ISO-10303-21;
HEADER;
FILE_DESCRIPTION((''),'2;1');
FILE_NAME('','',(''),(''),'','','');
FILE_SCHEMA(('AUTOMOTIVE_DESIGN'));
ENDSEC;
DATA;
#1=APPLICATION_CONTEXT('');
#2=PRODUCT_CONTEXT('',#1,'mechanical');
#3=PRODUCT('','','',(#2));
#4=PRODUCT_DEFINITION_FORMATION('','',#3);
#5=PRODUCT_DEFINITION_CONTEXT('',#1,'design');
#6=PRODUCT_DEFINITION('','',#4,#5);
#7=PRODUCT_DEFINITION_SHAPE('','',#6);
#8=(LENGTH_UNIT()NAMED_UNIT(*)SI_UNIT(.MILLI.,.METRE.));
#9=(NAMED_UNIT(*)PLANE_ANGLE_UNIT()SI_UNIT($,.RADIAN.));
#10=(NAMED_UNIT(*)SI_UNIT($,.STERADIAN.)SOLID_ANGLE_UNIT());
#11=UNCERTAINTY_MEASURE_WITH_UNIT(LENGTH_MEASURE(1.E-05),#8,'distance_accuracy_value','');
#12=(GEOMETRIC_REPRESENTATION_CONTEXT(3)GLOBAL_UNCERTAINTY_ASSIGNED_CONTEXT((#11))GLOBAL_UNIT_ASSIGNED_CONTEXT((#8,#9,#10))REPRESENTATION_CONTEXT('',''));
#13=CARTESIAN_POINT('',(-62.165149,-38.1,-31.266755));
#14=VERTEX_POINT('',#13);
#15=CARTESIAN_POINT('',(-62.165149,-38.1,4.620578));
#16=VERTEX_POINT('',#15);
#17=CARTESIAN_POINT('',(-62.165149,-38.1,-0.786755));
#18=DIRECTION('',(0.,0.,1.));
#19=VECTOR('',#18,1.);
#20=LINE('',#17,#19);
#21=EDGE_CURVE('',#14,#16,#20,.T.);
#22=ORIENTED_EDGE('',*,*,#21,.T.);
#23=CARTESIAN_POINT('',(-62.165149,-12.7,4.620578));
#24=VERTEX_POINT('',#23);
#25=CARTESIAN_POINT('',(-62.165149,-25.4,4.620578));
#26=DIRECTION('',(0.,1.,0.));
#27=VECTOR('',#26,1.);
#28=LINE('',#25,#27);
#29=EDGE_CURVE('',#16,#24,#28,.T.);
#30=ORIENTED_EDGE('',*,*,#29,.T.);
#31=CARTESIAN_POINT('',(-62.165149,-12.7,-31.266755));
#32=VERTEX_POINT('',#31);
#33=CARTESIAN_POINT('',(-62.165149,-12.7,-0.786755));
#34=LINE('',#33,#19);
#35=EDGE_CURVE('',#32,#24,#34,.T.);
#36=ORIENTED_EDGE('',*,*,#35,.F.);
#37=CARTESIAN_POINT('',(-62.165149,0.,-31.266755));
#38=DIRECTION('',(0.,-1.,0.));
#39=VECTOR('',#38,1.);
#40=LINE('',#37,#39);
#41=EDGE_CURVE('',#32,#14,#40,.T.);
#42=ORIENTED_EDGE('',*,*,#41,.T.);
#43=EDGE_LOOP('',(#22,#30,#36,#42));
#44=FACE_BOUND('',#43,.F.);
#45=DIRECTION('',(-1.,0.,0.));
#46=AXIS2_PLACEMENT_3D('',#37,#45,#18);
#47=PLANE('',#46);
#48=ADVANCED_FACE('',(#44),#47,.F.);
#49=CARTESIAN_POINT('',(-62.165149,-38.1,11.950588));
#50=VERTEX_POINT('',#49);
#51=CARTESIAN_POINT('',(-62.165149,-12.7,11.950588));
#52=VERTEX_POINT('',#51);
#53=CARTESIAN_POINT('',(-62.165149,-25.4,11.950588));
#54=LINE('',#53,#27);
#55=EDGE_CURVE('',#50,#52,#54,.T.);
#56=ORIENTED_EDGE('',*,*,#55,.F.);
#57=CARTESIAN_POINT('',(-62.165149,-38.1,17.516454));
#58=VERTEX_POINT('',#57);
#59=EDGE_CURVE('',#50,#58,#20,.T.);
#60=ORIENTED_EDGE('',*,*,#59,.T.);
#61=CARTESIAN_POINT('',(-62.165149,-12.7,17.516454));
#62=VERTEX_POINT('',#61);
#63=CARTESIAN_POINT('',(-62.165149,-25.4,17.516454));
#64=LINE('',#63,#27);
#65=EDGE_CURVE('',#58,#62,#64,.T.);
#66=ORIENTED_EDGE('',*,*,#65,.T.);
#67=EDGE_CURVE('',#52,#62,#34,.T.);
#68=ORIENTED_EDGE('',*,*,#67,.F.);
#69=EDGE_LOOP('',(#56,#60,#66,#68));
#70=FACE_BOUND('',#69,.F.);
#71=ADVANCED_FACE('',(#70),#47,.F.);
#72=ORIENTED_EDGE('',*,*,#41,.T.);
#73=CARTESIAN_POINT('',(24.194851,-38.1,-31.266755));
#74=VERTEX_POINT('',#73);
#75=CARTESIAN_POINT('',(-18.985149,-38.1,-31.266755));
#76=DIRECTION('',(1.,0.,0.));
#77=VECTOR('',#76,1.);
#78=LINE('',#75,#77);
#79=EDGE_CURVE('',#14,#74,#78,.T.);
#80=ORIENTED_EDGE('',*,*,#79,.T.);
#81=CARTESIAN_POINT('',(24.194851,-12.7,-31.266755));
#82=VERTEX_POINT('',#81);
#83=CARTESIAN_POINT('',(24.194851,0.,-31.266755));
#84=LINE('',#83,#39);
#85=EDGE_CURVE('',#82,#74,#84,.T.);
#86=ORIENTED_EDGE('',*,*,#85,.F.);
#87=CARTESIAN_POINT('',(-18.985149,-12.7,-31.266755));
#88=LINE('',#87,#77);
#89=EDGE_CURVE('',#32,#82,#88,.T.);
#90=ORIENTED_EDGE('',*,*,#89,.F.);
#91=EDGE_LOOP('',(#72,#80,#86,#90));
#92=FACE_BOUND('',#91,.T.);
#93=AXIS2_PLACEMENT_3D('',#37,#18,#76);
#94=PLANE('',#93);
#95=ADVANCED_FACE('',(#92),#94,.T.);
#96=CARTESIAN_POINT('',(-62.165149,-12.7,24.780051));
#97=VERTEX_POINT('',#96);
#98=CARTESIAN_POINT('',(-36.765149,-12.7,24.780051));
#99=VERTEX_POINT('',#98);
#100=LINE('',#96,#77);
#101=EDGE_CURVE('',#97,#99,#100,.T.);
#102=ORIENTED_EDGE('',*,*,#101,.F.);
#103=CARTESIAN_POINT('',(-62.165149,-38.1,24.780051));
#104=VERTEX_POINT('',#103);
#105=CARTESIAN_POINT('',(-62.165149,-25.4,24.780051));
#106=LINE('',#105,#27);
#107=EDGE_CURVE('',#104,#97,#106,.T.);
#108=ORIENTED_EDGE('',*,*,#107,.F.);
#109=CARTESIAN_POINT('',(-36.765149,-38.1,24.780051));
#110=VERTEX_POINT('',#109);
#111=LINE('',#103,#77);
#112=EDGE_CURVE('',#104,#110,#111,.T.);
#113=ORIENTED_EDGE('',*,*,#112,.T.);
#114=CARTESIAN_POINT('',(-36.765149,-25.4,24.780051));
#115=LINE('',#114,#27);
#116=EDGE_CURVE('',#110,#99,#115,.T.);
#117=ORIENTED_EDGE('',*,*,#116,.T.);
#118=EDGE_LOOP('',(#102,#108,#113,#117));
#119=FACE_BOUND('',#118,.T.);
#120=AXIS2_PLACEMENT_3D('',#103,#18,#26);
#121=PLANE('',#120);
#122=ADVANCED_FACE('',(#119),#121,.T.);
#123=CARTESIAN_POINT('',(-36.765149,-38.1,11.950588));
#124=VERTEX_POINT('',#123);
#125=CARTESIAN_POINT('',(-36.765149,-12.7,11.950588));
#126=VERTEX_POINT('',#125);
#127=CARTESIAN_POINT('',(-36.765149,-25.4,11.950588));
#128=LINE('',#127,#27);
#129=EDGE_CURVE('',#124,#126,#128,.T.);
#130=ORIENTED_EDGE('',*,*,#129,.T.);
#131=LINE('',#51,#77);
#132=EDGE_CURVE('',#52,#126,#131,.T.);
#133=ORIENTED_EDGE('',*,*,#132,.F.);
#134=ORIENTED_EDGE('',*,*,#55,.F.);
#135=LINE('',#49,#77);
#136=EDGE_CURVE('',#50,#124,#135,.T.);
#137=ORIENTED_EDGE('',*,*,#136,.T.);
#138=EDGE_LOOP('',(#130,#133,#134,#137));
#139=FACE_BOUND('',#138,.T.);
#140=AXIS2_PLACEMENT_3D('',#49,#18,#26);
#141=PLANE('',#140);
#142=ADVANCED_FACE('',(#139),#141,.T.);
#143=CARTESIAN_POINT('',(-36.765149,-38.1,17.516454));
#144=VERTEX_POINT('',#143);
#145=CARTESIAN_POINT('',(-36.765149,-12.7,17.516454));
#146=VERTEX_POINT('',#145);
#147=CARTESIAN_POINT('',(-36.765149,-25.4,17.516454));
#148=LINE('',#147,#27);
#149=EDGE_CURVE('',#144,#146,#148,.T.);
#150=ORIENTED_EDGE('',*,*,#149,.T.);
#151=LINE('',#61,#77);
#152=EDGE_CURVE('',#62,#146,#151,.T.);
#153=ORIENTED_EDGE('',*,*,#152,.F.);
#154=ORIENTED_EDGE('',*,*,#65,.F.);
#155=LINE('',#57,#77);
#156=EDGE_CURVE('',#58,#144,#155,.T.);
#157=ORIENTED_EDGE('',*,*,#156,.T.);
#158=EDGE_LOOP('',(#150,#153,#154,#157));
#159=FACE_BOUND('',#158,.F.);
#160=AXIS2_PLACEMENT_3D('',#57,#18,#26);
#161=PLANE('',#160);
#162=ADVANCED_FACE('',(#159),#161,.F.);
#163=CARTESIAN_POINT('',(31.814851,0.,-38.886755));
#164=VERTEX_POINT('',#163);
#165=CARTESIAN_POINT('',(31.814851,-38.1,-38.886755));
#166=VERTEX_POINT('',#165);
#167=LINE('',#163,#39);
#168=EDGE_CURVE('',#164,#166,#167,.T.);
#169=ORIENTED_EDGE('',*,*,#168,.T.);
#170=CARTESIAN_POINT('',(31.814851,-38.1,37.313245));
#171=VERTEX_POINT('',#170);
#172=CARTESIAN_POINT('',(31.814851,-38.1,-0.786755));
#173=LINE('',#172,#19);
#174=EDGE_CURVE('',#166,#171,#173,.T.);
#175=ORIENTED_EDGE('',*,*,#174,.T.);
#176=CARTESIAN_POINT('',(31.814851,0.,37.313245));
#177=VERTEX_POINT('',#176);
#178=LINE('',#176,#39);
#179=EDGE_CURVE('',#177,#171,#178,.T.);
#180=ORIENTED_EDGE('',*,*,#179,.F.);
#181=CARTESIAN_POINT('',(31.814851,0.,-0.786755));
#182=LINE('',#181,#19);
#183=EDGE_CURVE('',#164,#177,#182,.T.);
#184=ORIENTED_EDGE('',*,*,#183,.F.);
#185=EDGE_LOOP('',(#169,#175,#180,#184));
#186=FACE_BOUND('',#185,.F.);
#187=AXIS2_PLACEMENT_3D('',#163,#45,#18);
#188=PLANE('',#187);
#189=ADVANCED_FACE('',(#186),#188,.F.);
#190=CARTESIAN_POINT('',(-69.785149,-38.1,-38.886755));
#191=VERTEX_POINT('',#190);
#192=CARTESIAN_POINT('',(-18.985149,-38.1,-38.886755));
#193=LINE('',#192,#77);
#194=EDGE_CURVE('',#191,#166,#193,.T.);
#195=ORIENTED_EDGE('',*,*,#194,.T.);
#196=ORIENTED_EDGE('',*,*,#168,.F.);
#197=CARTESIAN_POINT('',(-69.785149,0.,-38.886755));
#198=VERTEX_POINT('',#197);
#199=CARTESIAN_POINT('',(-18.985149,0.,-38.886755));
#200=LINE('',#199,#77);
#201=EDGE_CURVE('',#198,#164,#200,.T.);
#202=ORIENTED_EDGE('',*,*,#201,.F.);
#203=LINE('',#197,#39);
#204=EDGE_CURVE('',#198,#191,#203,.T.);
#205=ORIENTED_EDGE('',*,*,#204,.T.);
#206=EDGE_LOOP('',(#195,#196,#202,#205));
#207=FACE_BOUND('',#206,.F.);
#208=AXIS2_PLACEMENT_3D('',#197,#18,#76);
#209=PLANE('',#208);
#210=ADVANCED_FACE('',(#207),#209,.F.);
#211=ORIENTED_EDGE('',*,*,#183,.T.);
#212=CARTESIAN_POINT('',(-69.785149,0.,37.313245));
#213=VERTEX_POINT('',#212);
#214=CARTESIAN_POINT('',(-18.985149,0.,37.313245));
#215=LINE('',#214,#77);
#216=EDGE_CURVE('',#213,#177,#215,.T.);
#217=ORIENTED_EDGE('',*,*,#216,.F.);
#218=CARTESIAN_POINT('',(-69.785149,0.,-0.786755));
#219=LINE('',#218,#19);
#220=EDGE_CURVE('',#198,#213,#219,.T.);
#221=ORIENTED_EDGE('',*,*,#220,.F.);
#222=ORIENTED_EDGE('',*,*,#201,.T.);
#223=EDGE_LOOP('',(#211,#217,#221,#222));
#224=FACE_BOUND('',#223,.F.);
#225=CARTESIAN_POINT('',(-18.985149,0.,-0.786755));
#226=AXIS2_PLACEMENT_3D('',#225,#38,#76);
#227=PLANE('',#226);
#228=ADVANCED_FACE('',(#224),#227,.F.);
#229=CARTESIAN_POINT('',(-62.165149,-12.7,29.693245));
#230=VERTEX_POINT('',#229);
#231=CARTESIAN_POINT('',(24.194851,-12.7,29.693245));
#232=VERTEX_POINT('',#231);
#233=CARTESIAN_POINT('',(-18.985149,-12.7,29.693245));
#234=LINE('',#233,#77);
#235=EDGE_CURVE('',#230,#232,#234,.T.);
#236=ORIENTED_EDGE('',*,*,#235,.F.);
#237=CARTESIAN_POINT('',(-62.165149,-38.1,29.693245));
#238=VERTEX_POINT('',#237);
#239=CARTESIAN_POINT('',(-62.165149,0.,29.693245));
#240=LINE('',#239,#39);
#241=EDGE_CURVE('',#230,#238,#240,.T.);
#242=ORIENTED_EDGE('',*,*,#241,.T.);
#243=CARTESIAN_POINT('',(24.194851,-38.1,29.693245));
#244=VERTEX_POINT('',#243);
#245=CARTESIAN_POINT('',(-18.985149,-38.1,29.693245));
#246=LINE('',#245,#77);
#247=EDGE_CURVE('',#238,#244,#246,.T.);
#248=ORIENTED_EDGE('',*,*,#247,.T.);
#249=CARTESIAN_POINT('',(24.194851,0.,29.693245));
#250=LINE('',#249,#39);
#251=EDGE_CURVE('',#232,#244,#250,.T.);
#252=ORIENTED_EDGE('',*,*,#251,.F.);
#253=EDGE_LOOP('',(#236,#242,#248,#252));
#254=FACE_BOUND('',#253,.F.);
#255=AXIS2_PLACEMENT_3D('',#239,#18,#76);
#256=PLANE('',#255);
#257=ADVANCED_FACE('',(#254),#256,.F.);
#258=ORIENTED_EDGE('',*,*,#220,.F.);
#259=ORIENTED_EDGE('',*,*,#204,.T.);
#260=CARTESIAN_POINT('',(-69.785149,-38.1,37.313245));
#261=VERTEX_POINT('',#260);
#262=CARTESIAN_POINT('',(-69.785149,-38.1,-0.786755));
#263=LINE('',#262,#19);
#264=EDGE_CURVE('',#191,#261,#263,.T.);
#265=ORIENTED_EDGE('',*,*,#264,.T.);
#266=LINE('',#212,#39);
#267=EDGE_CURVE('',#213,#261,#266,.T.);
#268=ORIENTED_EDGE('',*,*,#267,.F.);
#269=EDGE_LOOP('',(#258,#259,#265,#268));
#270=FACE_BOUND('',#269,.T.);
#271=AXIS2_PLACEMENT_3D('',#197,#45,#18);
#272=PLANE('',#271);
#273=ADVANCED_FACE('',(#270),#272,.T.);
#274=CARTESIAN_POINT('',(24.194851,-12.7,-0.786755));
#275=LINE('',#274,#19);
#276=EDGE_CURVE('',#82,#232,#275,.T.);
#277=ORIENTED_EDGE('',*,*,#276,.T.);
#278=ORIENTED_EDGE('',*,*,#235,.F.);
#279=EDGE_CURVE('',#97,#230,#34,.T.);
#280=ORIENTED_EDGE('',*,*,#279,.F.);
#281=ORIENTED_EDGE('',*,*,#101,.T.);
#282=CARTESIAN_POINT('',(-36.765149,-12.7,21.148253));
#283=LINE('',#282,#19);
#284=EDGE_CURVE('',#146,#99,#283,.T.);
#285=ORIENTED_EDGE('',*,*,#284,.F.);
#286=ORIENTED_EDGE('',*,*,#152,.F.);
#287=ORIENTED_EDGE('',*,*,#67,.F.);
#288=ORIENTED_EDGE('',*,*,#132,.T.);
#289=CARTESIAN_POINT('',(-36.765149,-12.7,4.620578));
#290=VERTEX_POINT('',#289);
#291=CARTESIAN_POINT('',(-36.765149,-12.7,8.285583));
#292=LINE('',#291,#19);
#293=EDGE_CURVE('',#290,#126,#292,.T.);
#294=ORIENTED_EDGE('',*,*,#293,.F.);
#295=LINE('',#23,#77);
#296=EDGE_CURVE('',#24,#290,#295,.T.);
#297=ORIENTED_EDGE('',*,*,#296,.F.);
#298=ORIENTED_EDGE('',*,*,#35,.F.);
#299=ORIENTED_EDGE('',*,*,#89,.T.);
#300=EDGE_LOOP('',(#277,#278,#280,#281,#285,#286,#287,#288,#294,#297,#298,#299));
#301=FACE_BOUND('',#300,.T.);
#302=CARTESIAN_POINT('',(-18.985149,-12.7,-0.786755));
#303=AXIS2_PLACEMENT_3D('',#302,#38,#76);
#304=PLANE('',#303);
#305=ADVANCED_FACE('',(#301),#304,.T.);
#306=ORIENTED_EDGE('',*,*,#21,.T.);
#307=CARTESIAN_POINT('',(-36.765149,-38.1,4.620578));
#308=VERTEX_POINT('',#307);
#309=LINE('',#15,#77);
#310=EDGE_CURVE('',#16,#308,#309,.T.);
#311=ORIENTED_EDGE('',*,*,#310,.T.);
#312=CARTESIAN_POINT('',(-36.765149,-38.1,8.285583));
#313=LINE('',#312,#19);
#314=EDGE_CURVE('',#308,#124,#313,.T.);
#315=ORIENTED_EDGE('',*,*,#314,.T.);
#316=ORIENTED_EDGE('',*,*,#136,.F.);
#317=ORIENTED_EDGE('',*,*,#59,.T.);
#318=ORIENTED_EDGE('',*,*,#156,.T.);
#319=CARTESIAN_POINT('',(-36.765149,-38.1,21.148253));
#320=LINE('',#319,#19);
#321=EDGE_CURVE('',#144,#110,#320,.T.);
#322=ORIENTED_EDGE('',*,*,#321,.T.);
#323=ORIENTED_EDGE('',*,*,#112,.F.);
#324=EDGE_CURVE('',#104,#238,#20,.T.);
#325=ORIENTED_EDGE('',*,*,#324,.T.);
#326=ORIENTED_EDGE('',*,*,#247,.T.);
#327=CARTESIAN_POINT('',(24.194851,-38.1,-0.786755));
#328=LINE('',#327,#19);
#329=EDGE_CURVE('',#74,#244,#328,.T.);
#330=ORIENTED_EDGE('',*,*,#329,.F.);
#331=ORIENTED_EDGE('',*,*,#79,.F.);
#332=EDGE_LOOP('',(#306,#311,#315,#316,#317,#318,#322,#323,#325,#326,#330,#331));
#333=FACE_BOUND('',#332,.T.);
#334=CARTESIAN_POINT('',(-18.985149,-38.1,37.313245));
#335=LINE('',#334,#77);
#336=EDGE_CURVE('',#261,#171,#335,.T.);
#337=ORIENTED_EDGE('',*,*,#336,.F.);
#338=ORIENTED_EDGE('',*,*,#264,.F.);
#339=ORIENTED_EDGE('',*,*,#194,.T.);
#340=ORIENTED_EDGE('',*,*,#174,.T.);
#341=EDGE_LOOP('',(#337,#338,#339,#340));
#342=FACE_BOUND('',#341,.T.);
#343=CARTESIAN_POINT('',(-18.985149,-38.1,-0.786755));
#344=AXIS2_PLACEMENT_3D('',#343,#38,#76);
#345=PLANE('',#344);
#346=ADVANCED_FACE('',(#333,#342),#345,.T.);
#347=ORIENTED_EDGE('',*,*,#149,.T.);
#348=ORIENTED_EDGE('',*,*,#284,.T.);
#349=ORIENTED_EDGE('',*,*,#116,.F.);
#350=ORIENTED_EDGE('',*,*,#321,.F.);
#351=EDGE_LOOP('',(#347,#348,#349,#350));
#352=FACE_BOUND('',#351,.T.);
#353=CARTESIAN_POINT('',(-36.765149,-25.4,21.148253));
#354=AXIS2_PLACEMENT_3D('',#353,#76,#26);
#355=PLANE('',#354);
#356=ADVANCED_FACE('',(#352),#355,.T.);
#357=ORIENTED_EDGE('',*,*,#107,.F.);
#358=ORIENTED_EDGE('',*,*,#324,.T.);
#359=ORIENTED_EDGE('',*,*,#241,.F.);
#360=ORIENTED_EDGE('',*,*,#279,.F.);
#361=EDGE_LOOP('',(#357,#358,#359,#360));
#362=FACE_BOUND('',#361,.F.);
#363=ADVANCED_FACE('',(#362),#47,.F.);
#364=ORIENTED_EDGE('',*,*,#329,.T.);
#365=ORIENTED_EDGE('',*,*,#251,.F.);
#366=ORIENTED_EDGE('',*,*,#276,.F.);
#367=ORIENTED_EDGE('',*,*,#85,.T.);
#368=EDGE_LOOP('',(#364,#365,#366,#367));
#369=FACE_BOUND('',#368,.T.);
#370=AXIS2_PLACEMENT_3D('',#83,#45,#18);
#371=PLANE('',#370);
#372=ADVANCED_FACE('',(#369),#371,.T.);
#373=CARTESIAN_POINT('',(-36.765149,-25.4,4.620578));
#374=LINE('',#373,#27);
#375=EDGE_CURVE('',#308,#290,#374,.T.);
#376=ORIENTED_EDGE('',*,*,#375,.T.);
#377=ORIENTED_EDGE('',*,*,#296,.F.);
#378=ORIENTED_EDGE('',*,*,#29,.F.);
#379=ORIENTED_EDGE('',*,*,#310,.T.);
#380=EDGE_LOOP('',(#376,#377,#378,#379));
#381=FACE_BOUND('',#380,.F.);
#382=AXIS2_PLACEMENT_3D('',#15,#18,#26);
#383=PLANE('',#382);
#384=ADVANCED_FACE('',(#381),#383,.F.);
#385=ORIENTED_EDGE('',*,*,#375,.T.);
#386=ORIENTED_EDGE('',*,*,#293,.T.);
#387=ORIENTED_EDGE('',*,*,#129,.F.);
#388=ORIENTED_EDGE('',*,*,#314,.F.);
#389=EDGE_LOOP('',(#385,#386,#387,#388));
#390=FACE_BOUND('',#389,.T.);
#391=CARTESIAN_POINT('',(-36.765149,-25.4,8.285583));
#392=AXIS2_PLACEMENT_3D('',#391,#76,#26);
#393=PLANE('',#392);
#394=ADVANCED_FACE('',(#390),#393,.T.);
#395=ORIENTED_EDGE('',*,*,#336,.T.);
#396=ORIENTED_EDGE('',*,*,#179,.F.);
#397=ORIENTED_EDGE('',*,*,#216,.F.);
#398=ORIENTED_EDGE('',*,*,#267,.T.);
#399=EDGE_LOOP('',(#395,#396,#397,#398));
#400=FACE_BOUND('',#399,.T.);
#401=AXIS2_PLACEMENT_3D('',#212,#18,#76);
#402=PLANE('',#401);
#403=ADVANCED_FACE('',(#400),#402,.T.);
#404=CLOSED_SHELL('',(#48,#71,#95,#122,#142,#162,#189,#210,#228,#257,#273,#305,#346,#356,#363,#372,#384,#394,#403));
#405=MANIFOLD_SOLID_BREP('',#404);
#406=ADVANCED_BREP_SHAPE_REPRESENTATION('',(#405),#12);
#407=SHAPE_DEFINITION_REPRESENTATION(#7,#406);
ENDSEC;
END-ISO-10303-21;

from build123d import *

# Parameters (mm, degrees)
F0_W     = 101.6
F0_H     = 76.2
F0_W_2   = 86.36
F0_H_2   = 60.96
F1_DEPTH = 38.1
F2_DEPTH = 12.7
F3_W     = 25.4
F3_H     = 7.263597
F4_DEPTH = 25.4
F5_W     = 25.4
F5_H     = 7.33001
F6_DEPTH = 25.4


with BuildPart() as f1:
    # F0 (on Front) → F1 (new body)
    with BuildSketch(Plane.XZ):
        with Locations((-18.985149, -0.786755)):
            Rectangle(F0_W, F0_H)
        with Locations((-18.985149, -0.786755)):
            Rectangle(F0_W_2, F0_H_2, mode=Mode.SUBTRACT)
    extrude(amount=F1_DEPTH)

    # F0 (on Front) → F2 (join)
    with BuildSketch(Plane.XZ):
        with Locations((-18.985149, -0.786755)):
            Rectangle(F0_W_2, F0_H_2)
    extrude(amount=F2_DEPTH)

    # F3 (on face) → F4 (join)
    with BuildSketch(Plane.YZ.offset(-62.165149)):
        with Locations((-25.4, 21.148253)):
            Rectangle(F3_W, F3_H)
    extrude(amount=F4_DEPTH)

    # F5 (on face) → F6 (join)
    with BuildSketch(Plane.YZ.offset(-62.165149)):
        with Locations((-25.4, 8.285583)):
            Rectangle(F5_W, F5_H)
    extrude(amount=F6_DEPTH)


solid = f1.part
